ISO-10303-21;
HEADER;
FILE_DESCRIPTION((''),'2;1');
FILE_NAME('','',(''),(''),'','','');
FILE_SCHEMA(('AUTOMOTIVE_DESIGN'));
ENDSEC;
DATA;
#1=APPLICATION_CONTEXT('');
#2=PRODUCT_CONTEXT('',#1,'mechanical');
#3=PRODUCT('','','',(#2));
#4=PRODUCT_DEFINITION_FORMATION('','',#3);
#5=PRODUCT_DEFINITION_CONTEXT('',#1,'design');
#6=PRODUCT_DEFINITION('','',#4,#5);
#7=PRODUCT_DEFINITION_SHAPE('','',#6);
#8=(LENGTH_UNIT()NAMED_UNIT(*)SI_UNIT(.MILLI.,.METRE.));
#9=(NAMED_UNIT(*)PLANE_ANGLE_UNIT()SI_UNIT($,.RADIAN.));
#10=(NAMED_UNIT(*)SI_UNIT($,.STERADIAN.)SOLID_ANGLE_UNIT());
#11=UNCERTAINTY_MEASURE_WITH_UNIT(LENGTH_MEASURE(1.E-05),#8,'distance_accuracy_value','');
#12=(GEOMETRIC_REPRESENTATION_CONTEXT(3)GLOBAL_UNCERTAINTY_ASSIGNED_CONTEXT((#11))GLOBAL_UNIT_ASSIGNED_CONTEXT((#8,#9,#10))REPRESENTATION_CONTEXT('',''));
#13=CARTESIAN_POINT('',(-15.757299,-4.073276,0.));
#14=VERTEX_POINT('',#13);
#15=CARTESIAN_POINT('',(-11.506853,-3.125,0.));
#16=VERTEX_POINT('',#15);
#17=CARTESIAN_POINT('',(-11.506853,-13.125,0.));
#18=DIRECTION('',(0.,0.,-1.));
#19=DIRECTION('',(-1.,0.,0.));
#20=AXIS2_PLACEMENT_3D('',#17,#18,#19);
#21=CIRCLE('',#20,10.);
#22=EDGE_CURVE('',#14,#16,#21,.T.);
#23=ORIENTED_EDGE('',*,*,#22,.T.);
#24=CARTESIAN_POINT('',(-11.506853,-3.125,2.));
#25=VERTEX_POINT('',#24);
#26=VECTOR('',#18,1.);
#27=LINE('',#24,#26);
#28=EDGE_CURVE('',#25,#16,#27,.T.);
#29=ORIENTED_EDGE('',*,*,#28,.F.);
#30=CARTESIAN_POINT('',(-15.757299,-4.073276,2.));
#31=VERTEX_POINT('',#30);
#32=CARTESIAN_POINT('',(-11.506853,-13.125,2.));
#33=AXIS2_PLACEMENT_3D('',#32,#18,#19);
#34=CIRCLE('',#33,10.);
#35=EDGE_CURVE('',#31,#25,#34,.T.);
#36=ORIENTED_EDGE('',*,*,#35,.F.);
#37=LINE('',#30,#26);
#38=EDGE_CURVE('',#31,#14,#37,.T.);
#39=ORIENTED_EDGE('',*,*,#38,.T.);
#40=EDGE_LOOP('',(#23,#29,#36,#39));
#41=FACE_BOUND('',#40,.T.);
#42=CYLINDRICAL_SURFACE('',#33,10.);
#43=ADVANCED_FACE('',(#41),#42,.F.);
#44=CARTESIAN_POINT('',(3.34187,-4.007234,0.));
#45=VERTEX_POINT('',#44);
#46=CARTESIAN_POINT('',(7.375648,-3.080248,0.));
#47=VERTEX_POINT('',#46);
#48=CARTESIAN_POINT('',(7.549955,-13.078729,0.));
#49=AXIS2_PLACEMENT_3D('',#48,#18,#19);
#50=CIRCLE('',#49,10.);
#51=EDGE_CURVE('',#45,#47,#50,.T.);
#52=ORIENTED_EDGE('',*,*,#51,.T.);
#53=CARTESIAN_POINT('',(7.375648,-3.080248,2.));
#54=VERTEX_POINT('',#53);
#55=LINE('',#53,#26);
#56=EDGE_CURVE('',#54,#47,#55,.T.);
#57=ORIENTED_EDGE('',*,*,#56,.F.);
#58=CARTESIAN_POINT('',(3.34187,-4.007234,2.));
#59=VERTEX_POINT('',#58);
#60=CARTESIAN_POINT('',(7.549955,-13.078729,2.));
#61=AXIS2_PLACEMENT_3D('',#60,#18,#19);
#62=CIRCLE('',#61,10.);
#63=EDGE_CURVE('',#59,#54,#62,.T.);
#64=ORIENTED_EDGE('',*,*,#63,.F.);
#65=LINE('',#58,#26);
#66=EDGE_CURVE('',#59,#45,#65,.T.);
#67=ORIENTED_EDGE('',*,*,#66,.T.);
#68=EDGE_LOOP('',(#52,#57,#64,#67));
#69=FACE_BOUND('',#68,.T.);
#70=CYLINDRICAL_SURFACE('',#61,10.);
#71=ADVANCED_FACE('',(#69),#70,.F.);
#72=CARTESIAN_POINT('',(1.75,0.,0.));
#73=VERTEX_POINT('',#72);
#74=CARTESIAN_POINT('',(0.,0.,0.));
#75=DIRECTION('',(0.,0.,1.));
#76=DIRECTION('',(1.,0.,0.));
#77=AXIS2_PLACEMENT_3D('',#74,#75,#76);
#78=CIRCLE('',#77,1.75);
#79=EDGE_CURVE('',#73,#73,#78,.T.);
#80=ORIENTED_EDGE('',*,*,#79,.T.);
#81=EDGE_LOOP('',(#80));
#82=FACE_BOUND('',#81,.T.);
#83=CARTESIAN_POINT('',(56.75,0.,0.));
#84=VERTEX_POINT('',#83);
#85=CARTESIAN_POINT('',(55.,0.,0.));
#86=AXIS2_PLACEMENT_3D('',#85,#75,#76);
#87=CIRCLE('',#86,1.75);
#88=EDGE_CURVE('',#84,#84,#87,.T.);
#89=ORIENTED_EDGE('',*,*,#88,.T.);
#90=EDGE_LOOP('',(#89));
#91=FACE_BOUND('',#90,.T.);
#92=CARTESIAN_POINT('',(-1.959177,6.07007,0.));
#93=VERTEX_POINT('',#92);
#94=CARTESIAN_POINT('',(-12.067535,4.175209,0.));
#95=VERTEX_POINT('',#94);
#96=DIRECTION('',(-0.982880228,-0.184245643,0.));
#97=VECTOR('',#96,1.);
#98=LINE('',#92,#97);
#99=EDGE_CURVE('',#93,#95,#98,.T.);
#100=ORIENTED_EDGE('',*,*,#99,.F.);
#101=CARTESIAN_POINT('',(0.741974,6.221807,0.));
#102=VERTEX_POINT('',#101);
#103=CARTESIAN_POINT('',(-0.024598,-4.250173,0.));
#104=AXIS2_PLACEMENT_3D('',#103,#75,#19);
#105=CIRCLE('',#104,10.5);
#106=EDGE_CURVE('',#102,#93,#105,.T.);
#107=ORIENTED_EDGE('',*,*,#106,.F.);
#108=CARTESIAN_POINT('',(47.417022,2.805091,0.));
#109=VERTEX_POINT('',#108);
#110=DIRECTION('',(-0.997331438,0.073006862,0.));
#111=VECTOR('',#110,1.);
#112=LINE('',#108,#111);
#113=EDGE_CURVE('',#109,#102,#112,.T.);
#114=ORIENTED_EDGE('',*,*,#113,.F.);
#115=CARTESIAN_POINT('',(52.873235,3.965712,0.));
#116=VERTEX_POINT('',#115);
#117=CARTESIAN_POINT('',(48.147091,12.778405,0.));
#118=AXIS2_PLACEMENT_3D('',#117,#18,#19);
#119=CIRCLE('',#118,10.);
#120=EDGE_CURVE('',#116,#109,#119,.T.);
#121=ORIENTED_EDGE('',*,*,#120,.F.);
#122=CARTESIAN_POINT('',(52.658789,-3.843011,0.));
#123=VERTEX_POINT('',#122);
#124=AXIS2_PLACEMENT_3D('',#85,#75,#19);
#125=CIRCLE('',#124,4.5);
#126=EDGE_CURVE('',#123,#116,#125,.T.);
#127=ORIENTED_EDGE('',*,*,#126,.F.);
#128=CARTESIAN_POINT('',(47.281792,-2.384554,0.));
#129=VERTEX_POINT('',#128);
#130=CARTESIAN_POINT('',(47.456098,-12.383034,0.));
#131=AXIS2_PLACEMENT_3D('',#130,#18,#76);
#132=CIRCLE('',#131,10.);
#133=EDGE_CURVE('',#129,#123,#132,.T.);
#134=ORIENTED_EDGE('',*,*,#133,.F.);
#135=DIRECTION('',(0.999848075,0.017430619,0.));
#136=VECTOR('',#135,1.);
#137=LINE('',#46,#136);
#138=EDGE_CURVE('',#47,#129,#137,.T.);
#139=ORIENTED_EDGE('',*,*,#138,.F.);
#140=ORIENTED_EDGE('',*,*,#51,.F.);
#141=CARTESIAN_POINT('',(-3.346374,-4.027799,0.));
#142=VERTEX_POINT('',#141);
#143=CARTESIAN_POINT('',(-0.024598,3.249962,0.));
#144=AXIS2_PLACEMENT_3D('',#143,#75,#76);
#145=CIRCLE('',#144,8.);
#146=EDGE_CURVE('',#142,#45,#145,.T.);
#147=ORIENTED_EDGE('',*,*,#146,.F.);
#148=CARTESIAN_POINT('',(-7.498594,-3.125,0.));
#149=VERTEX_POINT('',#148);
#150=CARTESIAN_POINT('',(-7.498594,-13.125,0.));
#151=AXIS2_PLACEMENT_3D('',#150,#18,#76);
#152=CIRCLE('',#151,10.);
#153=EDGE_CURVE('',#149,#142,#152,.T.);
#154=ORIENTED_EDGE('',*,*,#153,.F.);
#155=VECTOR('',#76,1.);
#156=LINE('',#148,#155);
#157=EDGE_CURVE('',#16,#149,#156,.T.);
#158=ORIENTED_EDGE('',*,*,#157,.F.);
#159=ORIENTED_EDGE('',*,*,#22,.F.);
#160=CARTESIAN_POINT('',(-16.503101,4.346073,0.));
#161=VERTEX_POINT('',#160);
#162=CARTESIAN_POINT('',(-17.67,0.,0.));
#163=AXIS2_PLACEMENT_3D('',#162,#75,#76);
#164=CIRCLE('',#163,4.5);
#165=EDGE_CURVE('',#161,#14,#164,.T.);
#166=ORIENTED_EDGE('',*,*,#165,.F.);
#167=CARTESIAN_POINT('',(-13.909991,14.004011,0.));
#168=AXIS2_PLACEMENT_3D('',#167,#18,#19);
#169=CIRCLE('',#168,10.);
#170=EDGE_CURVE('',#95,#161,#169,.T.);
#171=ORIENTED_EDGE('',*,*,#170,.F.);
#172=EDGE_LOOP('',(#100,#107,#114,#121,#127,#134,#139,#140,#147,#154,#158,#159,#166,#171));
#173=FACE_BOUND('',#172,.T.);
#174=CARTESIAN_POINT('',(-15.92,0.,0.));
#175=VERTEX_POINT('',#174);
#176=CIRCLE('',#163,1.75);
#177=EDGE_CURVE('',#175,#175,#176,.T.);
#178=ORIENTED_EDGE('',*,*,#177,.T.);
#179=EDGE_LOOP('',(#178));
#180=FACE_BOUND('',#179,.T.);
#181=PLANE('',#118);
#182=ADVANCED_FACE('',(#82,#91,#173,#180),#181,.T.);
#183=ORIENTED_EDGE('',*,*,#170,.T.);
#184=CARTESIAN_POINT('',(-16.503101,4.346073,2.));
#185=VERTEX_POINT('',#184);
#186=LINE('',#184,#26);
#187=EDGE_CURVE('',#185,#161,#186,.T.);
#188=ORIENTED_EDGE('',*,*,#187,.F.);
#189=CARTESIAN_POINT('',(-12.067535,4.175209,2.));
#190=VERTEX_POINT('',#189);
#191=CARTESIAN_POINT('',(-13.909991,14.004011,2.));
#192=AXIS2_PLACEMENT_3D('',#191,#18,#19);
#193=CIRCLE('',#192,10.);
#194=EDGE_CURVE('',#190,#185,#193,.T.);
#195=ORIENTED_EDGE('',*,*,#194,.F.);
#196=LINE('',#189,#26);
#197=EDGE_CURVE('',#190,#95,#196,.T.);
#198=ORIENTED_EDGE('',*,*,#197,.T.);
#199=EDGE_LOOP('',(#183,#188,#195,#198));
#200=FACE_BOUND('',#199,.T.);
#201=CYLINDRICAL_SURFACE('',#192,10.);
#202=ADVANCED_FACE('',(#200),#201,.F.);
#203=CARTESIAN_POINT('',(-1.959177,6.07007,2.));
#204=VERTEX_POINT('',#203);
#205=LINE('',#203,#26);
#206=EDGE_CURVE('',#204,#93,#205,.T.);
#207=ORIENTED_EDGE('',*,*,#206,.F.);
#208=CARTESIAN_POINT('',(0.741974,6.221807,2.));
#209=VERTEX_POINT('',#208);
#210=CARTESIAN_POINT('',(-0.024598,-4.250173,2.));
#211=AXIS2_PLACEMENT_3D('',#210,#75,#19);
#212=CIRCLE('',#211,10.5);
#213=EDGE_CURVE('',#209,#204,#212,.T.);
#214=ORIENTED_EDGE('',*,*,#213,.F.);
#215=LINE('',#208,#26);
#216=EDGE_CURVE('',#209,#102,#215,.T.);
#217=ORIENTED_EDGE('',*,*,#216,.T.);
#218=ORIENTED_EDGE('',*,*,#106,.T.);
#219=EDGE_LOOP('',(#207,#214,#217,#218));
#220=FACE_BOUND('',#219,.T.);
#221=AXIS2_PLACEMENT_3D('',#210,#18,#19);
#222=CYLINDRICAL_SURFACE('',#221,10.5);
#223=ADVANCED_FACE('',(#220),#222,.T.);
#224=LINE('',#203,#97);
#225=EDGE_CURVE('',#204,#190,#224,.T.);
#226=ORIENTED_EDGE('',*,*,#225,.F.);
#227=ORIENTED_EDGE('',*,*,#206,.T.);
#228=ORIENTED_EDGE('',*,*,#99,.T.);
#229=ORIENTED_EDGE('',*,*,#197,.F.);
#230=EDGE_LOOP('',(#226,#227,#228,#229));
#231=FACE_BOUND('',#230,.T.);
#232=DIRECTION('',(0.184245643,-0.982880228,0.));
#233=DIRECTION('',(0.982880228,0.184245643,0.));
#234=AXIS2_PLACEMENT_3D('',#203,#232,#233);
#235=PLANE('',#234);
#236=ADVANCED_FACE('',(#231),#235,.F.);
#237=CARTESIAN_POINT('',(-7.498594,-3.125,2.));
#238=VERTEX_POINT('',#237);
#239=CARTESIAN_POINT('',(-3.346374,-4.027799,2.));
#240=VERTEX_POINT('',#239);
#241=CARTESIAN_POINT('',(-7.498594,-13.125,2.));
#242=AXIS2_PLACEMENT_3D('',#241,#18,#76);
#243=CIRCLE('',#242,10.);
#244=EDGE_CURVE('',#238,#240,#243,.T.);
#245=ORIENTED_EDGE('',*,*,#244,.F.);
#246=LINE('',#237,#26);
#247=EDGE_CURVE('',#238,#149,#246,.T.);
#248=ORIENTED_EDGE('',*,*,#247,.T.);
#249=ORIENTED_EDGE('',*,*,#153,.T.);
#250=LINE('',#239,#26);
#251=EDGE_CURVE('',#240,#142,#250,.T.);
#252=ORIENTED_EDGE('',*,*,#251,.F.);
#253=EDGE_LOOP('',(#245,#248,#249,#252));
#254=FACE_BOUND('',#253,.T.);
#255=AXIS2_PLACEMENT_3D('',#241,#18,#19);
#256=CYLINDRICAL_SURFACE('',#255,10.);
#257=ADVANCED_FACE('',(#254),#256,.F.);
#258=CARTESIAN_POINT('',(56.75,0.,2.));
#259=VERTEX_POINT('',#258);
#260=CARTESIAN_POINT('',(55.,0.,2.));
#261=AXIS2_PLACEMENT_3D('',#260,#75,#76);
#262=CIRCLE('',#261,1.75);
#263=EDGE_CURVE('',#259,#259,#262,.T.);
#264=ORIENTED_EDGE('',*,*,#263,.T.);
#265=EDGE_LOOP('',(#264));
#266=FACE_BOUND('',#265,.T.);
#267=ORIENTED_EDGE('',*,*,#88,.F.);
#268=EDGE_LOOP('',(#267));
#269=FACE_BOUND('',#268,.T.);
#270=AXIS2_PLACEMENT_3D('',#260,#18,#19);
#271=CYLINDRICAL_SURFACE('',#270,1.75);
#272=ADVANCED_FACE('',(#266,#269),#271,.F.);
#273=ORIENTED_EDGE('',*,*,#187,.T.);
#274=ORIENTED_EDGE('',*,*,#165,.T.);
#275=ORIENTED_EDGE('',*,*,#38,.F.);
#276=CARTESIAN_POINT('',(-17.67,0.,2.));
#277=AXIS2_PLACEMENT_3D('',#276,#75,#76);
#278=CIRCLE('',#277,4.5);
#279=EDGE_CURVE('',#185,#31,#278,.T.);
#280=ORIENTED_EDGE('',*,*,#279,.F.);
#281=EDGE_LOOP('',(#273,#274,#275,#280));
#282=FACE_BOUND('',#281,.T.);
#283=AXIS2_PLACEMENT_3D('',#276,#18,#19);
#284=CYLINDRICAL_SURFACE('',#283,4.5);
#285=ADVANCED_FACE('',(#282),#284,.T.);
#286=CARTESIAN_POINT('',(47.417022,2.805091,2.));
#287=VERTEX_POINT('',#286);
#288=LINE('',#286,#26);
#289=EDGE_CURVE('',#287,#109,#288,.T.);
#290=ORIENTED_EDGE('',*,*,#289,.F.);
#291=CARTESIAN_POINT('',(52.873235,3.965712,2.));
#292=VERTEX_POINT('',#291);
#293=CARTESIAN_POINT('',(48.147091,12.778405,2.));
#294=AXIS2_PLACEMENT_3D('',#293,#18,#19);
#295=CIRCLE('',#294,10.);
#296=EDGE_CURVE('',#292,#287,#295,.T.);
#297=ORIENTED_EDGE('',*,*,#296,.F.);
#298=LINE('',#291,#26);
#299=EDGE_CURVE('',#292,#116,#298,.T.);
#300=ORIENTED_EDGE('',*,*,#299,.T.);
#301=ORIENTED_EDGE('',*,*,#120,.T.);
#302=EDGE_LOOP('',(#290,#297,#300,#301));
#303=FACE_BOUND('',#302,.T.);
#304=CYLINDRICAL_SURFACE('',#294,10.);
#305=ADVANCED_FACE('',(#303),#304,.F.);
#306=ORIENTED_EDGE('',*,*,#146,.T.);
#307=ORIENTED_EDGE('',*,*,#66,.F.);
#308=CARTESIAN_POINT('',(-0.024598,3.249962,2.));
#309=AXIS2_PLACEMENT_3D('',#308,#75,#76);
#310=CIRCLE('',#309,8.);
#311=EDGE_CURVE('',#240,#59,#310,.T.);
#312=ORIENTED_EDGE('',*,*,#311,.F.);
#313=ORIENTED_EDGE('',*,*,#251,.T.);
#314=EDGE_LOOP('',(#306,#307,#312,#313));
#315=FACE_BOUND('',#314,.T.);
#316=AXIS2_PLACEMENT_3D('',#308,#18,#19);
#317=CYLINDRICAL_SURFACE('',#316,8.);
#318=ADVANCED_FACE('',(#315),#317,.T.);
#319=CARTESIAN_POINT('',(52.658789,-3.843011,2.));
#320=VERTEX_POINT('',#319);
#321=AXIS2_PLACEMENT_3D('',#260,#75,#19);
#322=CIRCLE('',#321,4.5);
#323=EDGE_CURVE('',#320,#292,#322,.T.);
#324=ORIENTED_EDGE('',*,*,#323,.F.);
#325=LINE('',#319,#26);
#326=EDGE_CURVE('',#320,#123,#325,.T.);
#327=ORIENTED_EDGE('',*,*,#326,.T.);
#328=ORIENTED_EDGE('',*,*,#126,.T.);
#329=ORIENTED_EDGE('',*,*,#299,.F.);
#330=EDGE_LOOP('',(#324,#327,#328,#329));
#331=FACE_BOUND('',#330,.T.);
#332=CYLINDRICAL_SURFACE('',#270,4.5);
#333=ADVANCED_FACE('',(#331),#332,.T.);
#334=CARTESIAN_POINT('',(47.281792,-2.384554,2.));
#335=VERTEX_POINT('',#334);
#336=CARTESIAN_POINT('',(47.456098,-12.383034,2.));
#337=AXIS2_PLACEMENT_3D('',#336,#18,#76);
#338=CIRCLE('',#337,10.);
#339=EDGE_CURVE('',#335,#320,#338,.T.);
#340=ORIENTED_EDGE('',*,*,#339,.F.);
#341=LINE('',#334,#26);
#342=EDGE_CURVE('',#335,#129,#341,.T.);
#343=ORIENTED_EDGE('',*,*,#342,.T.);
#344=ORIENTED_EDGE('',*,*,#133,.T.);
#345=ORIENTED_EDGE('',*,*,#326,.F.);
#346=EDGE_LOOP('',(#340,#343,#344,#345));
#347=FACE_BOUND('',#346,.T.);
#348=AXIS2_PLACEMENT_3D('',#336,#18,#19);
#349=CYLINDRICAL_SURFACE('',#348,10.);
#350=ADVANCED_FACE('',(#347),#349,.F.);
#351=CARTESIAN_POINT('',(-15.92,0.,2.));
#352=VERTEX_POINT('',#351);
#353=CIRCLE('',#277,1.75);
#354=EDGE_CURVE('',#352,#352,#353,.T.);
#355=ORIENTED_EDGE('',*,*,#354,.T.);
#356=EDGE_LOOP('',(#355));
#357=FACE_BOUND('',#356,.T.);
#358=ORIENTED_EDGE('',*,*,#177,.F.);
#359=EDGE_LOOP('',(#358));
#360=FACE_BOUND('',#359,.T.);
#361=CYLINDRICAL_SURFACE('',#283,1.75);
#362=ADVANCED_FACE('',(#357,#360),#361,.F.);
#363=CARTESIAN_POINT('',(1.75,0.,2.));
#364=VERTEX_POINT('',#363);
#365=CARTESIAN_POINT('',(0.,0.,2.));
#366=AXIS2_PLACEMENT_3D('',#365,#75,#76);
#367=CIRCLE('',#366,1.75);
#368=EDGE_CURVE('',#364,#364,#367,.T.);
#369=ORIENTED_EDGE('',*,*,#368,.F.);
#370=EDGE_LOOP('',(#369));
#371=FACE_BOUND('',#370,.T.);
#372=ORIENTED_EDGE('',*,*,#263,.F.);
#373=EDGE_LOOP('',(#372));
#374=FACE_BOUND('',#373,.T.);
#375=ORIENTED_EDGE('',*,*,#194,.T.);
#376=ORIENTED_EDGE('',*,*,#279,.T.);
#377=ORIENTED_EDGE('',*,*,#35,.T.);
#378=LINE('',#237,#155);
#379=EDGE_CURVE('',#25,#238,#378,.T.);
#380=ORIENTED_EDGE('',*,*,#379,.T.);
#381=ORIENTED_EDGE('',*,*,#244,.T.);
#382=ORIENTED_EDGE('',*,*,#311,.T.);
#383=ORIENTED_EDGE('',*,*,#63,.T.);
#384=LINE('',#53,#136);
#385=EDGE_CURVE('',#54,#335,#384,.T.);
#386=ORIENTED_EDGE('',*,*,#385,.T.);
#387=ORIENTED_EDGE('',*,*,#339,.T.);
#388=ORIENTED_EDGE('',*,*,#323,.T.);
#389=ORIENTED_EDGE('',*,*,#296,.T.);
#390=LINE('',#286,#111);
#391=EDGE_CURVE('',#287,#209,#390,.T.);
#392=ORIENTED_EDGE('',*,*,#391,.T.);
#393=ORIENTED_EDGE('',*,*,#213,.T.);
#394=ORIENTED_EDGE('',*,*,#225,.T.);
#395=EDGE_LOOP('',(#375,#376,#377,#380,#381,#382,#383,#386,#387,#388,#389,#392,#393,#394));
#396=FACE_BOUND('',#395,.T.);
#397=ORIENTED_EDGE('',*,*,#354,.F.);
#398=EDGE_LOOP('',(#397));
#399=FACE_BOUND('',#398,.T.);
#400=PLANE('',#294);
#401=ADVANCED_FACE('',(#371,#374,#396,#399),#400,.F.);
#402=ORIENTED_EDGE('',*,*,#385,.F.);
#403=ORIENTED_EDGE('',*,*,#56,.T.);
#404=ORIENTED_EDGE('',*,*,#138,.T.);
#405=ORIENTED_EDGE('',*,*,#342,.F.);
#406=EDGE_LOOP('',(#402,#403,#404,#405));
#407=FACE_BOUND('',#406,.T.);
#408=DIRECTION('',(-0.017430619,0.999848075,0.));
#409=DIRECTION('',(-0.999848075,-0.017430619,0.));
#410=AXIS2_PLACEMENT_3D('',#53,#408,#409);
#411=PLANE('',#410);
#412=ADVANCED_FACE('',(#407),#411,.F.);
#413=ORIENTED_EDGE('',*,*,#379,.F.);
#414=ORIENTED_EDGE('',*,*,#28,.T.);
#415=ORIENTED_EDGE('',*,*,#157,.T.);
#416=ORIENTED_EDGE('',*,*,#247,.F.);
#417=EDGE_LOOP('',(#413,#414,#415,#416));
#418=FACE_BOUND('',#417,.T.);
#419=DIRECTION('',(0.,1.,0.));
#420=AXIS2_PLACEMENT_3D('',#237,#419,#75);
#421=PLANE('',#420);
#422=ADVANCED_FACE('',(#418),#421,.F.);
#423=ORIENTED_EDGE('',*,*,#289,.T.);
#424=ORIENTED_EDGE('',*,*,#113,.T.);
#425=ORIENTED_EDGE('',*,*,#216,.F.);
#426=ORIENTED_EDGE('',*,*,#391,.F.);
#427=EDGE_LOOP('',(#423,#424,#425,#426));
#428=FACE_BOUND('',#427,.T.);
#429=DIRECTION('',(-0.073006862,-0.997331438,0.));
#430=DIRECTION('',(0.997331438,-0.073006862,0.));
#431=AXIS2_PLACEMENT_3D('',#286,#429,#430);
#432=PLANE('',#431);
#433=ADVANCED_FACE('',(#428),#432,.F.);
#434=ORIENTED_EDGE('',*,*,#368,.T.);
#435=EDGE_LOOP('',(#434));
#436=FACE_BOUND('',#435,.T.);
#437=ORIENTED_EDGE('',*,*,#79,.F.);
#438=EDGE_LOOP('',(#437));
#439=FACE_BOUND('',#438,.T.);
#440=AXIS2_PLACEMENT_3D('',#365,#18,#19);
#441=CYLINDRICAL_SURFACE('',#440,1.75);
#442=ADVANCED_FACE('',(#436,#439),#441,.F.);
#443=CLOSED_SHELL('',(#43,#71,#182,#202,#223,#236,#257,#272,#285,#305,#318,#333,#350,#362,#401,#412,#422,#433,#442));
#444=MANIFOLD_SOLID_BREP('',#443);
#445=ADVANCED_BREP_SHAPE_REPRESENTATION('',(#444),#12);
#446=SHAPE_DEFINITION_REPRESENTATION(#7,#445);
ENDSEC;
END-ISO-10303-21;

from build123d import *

# Parameters (mm, degrees)
SKETCH1_R           = 1.75
BOSS_EXTRUDE1_DEPTH = 2


with BuildPart() as part:
    # Sketch1 → Boss-Extrude1 (new body)
    with BuildSketch(Plane.XY):
        with BuildLine():
            Line((-1.959177489, 6.07006951), (-12.067534954, 4.175209114))
            ThreePointArc((-12.067534954, 4.175209114), (-14.294918054, 4.01142257), (-16.503100774, 4.346072502))
            ThreePointArc((-16.503100774, 4.346072502), (-22.152448054, -0.397063522), (-15.757299357, -4.073275862))
            ThreePointArc((-15.757299357, -4.073275862), (-13.684324334, -3.364947711), (-11.506853482, -3.125))
            Line((-11.506853482, -3.125), (-7.49859406, -3.125))
            ThreePointArc((-7.49859406, -3.125), (-5.373977874, -3.353305875), (-3.34637416, -4.027798787))
            ThreePointArc((-3.34637416, -4.027798787), (0, -4.75), (3.341869686, -4.007233812))
            ThreePointArc((3.341869686, -4.007233812), (5.310275247, -3.332763669), (7.375648406, -3.080248053))
            Line((7.375648406, -3.080248053), (47.281791607, -2.38455359))
            ThreePointArc((47.281791607, -2.38455359), (50.073909506, -2.731761792), (52.658788971, -3.843010658))
            ThreePointArc((52.658788971, -3.843010658), (59.498304049, -0.123534147), (52.873235099, 3.965711923))
            ThreePointArc((52.873235099, 3.965711923), (50.227695467, 2.997245413), (47.417022258, 2.8050907))
            Line((47.417022258, 2.8050907), (0.741973806, 6.221807217))
            ThreePointArc((0.741973806, 6.221807217), (-0.613509345, 6.233299043), (-1.959177489, 6.07006951))
        make_face()
        with Locations((-17.67, 0)):
            Circle(SKETCH1_R, mode=Mode.SUBTRACT)
        Circle(SKETCH1_R, mode=Mode.SUBTRACT)
        with Locations((55, 0)):
            Circle(SKETCH1_R, mode=Mode.SUBTRACT)
    extrude(amount=BOSS_EXTRUDE1_DEPTH)


solid = part.part
